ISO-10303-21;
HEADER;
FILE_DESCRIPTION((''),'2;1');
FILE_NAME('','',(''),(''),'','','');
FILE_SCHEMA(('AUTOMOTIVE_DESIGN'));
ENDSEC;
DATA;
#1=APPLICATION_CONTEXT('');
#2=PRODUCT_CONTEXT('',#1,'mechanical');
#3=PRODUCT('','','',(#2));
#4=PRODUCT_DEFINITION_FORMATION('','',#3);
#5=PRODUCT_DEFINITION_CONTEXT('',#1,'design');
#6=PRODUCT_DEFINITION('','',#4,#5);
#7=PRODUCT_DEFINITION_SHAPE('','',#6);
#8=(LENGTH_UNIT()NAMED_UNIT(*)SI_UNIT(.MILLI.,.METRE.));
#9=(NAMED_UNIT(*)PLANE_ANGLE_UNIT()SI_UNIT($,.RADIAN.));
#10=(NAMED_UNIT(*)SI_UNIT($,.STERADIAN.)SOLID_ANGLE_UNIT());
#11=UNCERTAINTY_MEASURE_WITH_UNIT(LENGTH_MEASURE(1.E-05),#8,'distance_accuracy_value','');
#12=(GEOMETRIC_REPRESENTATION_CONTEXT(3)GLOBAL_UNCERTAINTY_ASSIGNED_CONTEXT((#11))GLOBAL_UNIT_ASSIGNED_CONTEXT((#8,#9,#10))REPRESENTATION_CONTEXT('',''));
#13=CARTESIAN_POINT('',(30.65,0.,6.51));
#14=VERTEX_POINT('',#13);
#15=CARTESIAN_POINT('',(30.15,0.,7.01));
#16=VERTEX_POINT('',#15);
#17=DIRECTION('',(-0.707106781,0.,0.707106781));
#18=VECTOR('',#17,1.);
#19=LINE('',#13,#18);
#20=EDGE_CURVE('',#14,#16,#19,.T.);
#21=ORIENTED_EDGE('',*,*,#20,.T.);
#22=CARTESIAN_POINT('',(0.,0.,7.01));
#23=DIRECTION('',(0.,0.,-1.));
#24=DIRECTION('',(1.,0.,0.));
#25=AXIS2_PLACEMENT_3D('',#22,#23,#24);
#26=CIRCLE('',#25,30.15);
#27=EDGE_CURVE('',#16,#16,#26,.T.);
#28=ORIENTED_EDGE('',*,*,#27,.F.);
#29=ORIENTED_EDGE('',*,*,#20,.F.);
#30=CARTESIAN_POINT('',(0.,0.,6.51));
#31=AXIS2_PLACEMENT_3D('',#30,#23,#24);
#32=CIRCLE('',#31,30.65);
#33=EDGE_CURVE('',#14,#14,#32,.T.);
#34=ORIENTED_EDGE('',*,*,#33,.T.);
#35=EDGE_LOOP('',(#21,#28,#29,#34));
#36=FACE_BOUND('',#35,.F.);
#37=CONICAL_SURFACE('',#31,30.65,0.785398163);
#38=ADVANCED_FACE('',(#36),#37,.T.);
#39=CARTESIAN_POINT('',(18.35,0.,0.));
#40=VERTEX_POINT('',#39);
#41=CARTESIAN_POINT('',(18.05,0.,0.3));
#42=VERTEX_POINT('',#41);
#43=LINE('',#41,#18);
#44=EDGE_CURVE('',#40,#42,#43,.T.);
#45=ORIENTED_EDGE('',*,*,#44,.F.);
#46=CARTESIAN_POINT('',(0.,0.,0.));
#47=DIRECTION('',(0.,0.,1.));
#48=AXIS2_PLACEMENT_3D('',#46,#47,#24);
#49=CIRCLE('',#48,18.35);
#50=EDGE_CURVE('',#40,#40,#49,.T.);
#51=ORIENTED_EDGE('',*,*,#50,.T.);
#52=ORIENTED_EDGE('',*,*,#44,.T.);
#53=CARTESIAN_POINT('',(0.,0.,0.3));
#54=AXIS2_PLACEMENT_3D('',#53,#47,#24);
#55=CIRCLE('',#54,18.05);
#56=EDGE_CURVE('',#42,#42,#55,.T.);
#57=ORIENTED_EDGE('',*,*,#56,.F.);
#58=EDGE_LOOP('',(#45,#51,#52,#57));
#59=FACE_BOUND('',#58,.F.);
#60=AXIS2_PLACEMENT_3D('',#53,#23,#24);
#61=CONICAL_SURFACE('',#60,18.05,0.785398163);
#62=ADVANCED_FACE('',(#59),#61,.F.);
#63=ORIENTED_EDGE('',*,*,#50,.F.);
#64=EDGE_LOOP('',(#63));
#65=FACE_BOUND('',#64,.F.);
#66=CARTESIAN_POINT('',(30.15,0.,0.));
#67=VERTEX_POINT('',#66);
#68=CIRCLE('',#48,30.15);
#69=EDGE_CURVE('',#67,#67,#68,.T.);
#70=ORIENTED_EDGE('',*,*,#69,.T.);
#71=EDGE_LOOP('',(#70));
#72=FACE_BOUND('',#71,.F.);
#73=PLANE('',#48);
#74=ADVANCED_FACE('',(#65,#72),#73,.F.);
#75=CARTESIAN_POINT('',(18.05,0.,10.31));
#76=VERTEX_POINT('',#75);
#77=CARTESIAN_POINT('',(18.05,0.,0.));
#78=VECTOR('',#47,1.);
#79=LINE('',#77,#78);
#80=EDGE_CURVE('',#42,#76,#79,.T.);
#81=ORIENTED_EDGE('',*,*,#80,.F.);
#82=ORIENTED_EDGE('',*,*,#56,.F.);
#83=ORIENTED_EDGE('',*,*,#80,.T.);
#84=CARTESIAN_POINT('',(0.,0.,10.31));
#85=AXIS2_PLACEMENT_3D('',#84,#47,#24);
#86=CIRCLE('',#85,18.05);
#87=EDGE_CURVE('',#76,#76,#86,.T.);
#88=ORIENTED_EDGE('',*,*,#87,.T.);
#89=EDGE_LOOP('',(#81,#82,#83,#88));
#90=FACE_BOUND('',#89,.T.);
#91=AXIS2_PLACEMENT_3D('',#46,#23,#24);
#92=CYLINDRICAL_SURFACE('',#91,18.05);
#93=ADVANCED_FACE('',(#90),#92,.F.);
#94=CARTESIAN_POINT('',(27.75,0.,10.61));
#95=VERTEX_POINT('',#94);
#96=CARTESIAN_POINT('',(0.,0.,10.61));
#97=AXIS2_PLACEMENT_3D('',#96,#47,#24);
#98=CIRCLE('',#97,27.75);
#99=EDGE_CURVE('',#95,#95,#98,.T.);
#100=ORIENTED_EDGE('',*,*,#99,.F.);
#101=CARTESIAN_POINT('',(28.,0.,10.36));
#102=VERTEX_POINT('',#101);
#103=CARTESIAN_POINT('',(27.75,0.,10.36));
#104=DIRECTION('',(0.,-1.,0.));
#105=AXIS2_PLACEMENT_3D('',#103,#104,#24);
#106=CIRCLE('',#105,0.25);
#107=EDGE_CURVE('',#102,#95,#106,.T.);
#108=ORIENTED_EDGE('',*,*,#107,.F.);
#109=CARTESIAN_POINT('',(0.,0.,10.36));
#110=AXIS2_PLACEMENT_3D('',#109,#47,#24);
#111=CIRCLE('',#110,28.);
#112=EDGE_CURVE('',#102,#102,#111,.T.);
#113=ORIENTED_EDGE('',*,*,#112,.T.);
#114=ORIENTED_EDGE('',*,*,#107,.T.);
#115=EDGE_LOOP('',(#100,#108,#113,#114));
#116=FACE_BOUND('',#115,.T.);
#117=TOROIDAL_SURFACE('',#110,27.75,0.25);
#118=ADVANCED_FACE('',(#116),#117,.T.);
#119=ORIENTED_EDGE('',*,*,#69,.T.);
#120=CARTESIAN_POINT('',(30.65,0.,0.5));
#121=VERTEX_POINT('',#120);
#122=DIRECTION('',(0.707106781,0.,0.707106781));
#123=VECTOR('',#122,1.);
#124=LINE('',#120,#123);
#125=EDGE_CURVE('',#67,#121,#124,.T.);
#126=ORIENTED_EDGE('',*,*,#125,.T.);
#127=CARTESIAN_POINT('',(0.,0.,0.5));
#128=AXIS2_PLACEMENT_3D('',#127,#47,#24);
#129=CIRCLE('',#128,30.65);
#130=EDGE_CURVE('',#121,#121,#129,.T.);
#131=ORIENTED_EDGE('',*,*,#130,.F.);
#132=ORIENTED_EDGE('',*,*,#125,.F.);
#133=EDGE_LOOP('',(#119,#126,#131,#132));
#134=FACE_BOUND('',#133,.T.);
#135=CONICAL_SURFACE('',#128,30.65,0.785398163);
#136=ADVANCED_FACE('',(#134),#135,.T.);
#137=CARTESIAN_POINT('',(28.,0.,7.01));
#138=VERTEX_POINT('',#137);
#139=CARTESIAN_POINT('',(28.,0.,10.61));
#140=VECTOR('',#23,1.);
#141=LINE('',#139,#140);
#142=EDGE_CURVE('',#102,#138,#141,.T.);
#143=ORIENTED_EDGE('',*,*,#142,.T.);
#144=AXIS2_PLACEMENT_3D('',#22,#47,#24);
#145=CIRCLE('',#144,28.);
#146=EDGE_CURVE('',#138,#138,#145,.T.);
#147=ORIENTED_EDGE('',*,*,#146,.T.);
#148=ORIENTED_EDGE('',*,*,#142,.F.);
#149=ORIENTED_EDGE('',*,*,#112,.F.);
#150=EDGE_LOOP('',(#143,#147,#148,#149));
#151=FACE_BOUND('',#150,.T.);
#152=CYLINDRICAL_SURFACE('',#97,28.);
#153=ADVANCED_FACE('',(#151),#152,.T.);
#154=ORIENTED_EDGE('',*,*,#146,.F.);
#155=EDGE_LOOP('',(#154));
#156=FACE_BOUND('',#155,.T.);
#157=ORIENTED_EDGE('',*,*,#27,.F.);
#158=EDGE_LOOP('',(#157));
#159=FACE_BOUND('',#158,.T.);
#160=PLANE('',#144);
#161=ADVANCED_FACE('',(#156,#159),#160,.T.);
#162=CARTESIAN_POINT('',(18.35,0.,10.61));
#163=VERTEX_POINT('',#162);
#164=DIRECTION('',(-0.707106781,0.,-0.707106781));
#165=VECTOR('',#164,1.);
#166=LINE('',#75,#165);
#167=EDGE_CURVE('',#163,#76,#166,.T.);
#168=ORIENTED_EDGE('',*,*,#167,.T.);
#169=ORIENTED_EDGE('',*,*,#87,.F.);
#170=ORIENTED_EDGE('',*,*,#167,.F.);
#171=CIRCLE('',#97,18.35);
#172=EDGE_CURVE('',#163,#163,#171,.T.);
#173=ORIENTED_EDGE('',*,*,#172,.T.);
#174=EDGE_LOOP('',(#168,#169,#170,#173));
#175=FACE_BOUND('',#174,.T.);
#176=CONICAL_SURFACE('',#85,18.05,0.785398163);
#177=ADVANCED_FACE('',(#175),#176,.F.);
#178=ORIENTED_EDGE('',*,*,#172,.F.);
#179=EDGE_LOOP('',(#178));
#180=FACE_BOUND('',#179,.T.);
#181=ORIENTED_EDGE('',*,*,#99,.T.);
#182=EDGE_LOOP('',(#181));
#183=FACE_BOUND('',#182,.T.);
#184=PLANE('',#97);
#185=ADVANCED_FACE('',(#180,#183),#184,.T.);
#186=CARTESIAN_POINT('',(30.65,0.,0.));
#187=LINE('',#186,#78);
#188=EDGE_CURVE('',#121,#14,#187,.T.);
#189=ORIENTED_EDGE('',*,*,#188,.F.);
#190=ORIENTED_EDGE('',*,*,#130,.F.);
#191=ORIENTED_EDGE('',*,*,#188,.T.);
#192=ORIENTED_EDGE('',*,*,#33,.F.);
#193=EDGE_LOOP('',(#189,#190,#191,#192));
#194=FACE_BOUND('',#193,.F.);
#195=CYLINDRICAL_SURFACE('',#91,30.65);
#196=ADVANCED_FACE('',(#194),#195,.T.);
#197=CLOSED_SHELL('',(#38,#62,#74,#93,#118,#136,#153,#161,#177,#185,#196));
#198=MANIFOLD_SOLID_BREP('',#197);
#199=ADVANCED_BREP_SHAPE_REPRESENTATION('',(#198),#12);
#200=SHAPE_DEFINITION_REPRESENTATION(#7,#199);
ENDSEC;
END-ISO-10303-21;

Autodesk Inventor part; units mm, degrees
ref_plane "YZ Plane" through (0, 0, 0) normal (1, 0, 0) x (0, 1, 0)
ref_plane "XZ Plane" through (0, 0, 0) normal (0, 1, 0) x (-1, 0, 0)
ref_plane "XY Plane" through (0, 0, 0) normal (0, 0, 1) x (1, 0, 0)
sketch "草圖1" plane through (0, 0, 0) normal (0, 0, 1) x (1, 0, 0)
  circle A0 centre (0, 0) radius 18.05
  circle A1 centre (0, 0) radius 30.65
  dimension "d0" = 36.1
  dimension "d1" = 61.3
extrude "擠出1" add sketch "草圖1" along normal blind 10.61
sketch "草圖2" plane through (0, 0, 10.61) normal (0, 0, 1) x (1, 0, 0)
  circle A0 centre (0, 0) radius 28
  circle A1 centre (0, 0) radius 39.6506
  dimension "d4" = 56
extrude "擠出2" cut sketch "草圖2" against normal blind 3.6
chamfer "倒角1" distance 0.3 angle 45 1 edges at (-18.05, 0, 0)
chamfer "倒角2" distance 0.5 angle 45 1 edges at (-30.65, 0, 0)
chamfer "倒角3" distance 0.5 angle 45 1 edges at (-30.65, 0, 7.01)
fillet "圓角1" radius 0.25 1 edges at (-28, 0, 10.61)
chamfer "倒角4" distance 0.3 angle 45 1 edges at (-18.05, 0, 10.61)
properties part number "IGX間隔環"
